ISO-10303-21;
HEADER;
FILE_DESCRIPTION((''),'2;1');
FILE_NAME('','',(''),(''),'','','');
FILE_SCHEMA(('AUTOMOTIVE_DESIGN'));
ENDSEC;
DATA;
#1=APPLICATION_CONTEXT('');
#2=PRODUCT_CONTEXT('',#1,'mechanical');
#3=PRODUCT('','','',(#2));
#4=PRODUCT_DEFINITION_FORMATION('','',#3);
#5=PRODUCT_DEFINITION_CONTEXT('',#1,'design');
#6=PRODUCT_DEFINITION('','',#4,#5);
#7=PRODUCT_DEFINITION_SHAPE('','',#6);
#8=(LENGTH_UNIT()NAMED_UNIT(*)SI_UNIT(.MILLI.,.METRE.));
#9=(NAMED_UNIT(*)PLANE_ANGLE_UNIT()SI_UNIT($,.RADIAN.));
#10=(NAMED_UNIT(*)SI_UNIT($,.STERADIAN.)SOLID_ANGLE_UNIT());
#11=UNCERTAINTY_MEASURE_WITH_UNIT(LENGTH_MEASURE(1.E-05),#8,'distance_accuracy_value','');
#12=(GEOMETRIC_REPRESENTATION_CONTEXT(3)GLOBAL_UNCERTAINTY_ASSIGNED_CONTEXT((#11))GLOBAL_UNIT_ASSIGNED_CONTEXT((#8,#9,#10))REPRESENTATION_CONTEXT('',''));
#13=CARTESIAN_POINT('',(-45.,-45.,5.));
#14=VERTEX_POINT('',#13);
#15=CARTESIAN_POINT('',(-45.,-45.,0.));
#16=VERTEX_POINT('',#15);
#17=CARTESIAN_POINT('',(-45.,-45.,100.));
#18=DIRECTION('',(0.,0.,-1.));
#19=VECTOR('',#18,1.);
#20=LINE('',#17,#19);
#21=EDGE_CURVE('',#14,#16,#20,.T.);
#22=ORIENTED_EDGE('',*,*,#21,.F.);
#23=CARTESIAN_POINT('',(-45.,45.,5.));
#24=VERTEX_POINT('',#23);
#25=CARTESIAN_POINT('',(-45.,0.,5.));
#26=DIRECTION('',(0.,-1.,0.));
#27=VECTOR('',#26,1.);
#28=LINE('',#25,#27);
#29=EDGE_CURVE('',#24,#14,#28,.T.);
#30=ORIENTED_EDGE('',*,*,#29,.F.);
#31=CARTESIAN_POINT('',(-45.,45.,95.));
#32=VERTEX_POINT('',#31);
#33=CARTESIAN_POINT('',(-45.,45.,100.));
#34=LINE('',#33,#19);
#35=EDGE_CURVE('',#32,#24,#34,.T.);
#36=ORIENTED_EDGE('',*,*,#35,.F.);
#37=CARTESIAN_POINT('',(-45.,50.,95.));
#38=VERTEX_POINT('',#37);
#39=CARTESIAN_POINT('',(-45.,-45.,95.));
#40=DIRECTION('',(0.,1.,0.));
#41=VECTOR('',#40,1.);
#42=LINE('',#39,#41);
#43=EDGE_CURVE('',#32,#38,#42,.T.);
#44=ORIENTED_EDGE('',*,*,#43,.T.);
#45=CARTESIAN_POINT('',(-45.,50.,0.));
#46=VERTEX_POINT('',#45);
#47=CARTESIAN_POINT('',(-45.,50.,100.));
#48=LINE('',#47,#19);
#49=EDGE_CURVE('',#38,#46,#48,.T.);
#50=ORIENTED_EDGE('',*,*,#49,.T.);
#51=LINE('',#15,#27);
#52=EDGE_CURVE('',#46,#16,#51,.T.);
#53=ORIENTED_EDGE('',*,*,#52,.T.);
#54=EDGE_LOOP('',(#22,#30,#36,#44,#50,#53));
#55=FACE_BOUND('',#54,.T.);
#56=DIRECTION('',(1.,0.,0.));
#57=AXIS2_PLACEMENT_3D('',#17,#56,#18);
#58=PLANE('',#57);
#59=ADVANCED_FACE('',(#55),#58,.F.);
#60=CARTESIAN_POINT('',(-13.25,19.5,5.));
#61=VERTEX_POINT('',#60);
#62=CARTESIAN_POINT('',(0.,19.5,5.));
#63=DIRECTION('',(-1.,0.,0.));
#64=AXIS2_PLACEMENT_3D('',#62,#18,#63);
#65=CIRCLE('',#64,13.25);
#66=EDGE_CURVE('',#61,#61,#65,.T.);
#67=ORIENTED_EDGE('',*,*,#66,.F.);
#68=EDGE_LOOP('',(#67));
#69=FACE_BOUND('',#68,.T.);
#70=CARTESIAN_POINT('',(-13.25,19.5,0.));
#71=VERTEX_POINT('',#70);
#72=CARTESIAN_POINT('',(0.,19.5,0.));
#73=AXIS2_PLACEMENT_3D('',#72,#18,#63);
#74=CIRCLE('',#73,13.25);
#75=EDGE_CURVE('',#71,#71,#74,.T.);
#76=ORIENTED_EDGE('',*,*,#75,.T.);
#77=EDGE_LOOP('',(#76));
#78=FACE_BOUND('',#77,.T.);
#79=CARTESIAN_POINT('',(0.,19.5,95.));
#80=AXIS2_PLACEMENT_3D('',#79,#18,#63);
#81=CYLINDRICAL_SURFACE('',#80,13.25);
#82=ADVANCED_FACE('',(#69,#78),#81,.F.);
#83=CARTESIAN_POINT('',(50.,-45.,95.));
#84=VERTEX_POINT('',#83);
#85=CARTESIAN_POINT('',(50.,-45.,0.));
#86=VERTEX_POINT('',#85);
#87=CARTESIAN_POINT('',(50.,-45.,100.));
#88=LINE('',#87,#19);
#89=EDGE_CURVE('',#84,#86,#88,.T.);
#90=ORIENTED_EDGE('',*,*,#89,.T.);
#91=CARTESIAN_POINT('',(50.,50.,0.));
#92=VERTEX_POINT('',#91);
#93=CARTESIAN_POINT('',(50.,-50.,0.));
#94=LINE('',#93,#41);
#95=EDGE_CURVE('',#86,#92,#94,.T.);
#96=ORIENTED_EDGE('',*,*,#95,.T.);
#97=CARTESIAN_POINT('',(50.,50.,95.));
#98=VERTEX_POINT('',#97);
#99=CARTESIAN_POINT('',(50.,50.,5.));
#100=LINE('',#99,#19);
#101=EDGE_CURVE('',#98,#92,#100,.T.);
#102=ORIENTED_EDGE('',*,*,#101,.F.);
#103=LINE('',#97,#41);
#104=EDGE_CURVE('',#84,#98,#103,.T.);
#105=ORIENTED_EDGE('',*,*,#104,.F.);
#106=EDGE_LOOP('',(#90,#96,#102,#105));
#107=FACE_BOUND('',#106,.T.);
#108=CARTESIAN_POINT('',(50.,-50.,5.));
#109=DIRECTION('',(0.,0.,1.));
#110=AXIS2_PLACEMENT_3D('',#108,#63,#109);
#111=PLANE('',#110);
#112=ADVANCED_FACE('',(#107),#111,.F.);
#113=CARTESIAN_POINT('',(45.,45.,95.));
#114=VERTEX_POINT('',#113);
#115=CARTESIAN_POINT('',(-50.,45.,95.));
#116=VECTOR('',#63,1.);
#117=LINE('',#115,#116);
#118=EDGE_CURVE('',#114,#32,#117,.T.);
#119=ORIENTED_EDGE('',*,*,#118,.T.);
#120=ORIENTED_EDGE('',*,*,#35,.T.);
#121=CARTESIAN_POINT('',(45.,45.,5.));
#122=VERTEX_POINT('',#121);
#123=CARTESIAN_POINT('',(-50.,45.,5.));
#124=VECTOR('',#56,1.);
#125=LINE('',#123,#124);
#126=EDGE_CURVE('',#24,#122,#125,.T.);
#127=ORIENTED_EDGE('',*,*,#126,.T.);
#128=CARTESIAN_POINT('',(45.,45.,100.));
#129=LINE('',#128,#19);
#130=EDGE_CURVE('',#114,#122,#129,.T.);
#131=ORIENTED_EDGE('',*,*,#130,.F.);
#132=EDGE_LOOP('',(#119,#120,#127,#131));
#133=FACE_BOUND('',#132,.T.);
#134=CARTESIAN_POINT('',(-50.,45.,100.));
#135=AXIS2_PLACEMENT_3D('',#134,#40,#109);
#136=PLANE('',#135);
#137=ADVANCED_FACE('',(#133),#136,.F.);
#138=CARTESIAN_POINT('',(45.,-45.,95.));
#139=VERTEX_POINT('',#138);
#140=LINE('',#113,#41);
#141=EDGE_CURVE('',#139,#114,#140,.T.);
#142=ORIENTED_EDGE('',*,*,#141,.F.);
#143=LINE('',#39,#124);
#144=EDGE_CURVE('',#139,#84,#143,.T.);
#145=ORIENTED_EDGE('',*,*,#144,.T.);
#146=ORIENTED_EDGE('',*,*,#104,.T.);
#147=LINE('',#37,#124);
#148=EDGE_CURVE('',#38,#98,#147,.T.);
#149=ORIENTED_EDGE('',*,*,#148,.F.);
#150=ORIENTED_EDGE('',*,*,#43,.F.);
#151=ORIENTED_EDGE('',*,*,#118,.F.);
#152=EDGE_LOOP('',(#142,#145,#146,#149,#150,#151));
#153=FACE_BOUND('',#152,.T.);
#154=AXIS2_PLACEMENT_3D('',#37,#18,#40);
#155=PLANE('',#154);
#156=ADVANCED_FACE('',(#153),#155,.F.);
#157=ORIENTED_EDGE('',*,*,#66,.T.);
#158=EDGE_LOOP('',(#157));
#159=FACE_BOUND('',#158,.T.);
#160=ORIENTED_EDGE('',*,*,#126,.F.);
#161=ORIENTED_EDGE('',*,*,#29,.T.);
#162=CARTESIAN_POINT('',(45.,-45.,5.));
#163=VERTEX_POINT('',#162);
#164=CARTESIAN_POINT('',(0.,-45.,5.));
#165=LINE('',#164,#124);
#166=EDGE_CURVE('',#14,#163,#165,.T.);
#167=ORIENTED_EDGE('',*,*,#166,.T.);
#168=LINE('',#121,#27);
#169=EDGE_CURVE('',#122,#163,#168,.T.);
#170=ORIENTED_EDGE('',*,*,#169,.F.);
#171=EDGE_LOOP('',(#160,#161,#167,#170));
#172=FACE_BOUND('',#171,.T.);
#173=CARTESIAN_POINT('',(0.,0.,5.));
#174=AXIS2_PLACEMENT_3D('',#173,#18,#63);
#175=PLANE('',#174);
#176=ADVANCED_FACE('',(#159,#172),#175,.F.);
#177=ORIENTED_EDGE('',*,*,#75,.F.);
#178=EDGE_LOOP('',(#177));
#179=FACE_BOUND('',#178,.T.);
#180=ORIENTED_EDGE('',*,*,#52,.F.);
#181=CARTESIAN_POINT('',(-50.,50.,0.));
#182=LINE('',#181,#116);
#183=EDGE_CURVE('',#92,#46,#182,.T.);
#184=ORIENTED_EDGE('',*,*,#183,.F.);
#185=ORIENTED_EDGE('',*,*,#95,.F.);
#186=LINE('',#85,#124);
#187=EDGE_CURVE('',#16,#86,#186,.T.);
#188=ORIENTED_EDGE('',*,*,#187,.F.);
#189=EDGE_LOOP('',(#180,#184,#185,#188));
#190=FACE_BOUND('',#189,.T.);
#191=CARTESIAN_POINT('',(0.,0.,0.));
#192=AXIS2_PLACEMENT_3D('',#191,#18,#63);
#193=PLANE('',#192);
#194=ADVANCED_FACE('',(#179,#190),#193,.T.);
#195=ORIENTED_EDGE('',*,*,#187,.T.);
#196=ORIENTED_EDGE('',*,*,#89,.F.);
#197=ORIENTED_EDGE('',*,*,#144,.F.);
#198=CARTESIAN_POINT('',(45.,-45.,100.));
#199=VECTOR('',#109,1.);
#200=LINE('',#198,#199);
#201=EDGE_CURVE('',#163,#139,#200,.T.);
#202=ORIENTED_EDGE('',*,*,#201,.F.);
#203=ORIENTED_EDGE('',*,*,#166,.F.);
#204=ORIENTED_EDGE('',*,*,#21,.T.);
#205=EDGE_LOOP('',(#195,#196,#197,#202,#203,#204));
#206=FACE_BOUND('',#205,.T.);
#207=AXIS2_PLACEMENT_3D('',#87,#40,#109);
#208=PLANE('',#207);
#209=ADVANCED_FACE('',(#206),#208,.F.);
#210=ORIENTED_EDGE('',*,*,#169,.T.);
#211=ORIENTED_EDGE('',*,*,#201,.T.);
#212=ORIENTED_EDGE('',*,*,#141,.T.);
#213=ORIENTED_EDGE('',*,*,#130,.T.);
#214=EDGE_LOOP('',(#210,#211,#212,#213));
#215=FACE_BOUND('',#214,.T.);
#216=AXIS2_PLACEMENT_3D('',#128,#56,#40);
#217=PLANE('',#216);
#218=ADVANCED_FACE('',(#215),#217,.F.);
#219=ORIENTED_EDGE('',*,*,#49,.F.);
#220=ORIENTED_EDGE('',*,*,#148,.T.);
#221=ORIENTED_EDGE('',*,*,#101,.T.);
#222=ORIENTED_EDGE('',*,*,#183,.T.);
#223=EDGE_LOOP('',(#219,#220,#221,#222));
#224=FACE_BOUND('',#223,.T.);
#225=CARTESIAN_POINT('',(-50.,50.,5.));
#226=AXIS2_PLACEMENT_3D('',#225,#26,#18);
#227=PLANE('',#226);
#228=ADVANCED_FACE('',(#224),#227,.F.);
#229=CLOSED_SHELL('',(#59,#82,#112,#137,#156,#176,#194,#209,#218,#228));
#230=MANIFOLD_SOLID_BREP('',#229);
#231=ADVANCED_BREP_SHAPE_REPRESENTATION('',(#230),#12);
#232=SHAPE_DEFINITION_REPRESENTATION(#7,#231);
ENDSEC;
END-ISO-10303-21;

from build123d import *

# Parameters (mm, degrees)
SKETCH1_W           = 100
SKETCH1_H           = 100
BOSS_EXTRUDE1_DEPTH = 5
BOSS_EXTRUDE2_DEPTH = 95
SKETCH3_R           = 13.25
CUT_EXTRUDE1_DEPTH  = 95
CUT_EXTRUDE2_DEPTH  = 123.474487139
SKETCH5_W           = 5
SKETCH5_H           = 95
CUT_EXTRUDE3_DEPTH  = 147.714007511


with BuildPart() as part:
    # Sketch1 → Boss-Extrude1 (new body)
    with BuildSketch(Plane.XY):
        Rectangle(SKETCH1_W, SKETCH1_H)
    extrude(amount=BOSS_EXTRUDE1_DEPTH)

    # Sketch2 → Boss-Extrude2 (add)
    with BuildSketch(Plane.XY.offset(5)):
        Polygon((-50, 50), (50, 50), (50, -50), (45, -50), (45, 45), (-50, 45), align=None)
    extrude(amount=BOSS_EXTRUDE2_DEPTH)

    # Sketch3 → Cut-Extrude1 (cut)
    with BuildSketch(Plane(origin=(0, 0, 0), x_dir=(-1, 0, 0), z_dir=(0, 0, -1))):
        with Locations((0, 19.5)):
            Circle(SKETCH3_R)
    extrude(amount=-CUT_EXTRUDE1_DEPTH, mode=Mode.SUBTRACT)

    # Sketch4 → Cut-Extrude2 (cut, through all)
    with BuildSketch(Plane(origin=(0, 0, 0), x_dir=(-1, 0, 0), z_dir=(0, 0, -1))):
        Polygon((-50, -50), (50, -50), (50, 50), (45, 50), (45, -45), (-50, -45), align=None)
    extrude(amount=-CUT_EXTRUDE2_DEPTH, mode=Mode.SUBTRACT)

    # Sketch5 → Cut-Extrude3 (cut, through all)
    with BuildSketch(Plane(origin=(50, 0, 0), x_dir=(0, 0, -1), z_dir=(1, 0, 0))):
        with Locations((-97.5, 2.5)):
            Rectangle(SKETCH5_W, SKETCH5_H)
    extrude(amount=-CUT_EXTRUDE3_DEPTH, mode=Mode.SUBTRACT)


solid = part.part
